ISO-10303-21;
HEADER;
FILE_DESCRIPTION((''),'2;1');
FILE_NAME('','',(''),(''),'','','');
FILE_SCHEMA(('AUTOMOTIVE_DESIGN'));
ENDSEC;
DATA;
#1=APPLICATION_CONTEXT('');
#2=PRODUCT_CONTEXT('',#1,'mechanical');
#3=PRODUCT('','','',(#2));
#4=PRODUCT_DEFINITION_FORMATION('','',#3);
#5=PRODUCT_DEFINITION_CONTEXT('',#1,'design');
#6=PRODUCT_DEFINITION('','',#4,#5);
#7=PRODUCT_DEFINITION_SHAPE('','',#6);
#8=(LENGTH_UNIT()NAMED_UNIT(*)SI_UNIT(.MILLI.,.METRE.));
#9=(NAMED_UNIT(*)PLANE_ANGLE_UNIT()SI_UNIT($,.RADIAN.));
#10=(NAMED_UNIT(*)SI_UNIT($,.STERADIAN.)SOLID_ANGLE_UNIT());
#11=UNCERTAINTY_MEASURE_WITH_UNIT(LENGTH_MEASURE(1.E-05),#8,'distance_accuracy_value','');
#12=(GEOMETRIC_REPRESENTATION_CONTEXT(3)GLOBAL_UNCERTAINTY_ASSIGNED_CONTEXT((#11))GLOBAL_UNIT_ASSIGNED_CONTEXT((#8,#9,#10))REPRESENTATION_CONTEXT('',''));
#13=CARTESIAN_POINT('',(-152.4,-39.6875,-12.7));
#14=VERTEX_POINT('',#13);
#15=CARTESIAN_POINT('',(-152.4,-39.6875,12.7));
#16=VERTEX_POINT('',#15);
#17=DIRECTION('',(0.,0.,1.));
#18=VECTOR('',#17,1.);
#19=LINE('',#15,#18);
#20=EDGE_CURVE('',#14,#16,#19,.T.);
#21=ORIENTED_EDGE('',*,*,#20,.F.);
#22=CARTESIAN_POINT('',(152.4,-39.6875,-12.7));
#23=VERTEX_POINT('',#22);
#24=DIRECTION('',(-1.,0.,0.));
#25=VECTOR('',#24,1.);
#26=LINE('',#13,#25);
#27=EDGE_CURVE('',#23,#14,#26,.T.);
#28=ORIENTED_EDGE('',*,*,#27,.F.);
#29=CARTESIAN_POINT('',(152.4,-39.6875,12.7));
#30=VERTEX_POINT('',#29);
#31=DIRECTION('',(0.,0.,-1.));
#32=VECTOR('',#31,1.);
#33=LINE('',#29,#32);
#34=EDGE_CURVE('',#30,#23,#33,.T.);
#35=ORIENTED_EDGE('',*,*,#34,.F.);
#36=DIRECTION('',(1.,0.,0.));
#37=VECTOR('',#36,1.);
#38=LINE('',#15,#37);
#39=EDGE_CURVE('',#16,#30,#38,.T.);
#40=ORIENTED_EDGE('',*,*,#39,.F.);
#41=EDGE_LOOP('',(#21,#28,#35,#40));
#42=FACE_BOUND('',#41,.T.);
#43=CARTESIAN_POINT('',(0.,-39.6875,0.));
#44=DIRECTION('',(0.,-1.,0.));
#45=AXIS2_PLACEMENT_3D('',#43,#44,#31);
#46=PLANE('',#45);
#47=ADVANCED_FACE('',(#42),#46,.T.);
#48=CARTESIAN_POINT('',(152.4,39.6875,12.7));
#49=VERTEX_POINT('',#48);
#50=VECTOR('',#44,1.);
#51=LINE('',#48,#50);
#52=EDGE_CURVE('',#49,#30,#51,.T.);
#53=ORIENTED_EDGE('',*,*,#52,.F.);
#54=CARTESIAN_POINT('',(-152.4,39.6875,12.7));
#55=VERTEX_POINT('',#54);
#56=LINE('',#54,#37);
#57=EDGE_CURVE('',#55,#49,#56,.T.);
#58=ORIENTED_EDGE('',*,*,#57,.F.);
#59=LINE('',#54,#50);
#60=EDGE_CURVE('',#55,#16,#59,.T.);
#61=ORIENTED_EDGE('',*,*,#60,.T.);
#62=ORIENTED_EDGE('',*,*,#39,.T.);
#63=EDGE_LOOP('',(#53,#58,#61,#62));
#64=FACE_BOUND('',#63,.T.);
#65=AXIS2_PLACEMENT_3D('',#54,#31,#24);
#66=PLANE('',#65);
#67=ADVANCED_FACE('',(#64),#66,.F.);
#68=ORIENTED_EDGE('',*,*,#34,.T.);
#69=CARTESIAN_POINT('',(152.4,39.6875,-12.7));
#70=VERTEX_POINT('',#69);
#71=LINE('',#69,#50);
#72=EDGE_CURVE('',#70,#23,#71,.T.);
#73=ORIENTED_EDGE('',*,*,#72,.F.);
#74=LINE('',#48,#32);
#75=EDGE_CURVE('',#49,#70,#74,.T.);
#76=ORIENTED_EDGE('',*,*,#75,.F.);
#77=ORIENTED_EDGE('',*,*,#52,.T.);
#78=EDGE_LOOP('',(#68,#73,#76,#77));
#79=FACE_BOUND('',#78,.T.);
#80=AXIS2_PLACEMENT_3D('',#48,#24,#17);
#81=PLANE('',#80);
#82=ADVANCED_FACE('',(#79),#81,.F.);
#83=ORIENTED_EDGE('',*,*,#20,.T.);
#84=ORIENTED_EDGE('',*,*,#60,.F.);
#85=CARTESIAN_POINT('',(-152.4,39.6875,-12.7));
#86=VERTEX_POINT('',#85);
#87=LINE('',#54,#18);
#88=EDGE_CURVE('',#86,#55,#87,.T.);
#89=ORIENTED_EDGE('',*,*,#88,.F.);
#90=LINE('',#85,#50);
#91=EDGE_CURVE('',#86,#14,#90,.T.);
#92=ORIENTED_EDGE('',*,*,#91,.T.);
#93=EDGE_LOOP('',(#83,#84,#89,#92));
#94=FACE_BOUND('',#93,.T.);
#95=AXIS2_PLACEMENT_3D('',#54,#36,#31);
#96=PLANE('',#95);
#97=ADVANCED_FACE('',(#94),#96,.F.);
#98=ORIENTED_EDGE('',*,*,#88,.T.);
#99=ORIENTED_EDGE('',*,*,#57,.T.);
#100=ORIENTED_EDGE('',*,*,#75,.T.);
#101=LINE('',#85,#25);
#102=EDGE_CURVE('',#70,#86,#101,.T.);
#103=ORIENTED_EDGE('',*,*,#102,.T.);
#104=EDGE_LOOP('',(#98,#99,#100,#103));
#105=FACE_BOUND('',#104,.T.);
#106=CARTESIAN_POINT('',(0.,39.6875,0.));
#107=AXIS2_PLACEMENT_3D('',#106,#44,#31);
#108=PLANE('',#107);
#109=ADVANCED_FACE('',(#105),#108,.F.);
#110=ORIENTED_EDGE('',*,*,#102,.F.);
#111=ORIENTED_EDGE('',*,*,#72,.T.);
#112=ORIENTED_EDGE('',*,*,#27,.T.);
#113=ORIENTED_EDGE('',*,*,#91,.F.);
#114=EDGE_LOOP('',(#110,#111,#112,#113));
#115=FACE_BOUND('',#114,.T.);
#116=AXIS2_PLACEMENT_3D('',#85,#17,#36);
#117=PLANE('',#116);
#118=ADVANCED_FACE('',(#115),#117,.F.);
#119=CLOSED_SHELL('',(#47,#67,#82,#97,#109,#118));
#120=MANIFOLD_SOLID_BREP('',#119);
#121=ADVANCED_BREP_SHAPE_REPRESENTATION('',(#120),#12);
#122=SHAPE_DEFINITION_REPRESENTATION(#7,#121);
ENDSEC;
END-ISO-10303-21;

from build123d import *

# Parameters (mm, degrees)
SKETCH1_W           = 304.8
SKETCH1_H           = 25.4
BOSS_EXTRUDE1_DEPTH = 39.6875


with BuildPart() as part:
    # Sketch1 → Boss-Extrude1 (new, symmetric)
    with BuildSketch(Plane(origin=(0, 0, 0), x_dir=(1, 0, 0), z_dir=(0, 1, 0))):
        Rectangle(SKETCH1_W, SKETCH1_H)
    extrude(amount=BOSS_EXTRUDE1_DEPTH, both=True)


solid = part.part
